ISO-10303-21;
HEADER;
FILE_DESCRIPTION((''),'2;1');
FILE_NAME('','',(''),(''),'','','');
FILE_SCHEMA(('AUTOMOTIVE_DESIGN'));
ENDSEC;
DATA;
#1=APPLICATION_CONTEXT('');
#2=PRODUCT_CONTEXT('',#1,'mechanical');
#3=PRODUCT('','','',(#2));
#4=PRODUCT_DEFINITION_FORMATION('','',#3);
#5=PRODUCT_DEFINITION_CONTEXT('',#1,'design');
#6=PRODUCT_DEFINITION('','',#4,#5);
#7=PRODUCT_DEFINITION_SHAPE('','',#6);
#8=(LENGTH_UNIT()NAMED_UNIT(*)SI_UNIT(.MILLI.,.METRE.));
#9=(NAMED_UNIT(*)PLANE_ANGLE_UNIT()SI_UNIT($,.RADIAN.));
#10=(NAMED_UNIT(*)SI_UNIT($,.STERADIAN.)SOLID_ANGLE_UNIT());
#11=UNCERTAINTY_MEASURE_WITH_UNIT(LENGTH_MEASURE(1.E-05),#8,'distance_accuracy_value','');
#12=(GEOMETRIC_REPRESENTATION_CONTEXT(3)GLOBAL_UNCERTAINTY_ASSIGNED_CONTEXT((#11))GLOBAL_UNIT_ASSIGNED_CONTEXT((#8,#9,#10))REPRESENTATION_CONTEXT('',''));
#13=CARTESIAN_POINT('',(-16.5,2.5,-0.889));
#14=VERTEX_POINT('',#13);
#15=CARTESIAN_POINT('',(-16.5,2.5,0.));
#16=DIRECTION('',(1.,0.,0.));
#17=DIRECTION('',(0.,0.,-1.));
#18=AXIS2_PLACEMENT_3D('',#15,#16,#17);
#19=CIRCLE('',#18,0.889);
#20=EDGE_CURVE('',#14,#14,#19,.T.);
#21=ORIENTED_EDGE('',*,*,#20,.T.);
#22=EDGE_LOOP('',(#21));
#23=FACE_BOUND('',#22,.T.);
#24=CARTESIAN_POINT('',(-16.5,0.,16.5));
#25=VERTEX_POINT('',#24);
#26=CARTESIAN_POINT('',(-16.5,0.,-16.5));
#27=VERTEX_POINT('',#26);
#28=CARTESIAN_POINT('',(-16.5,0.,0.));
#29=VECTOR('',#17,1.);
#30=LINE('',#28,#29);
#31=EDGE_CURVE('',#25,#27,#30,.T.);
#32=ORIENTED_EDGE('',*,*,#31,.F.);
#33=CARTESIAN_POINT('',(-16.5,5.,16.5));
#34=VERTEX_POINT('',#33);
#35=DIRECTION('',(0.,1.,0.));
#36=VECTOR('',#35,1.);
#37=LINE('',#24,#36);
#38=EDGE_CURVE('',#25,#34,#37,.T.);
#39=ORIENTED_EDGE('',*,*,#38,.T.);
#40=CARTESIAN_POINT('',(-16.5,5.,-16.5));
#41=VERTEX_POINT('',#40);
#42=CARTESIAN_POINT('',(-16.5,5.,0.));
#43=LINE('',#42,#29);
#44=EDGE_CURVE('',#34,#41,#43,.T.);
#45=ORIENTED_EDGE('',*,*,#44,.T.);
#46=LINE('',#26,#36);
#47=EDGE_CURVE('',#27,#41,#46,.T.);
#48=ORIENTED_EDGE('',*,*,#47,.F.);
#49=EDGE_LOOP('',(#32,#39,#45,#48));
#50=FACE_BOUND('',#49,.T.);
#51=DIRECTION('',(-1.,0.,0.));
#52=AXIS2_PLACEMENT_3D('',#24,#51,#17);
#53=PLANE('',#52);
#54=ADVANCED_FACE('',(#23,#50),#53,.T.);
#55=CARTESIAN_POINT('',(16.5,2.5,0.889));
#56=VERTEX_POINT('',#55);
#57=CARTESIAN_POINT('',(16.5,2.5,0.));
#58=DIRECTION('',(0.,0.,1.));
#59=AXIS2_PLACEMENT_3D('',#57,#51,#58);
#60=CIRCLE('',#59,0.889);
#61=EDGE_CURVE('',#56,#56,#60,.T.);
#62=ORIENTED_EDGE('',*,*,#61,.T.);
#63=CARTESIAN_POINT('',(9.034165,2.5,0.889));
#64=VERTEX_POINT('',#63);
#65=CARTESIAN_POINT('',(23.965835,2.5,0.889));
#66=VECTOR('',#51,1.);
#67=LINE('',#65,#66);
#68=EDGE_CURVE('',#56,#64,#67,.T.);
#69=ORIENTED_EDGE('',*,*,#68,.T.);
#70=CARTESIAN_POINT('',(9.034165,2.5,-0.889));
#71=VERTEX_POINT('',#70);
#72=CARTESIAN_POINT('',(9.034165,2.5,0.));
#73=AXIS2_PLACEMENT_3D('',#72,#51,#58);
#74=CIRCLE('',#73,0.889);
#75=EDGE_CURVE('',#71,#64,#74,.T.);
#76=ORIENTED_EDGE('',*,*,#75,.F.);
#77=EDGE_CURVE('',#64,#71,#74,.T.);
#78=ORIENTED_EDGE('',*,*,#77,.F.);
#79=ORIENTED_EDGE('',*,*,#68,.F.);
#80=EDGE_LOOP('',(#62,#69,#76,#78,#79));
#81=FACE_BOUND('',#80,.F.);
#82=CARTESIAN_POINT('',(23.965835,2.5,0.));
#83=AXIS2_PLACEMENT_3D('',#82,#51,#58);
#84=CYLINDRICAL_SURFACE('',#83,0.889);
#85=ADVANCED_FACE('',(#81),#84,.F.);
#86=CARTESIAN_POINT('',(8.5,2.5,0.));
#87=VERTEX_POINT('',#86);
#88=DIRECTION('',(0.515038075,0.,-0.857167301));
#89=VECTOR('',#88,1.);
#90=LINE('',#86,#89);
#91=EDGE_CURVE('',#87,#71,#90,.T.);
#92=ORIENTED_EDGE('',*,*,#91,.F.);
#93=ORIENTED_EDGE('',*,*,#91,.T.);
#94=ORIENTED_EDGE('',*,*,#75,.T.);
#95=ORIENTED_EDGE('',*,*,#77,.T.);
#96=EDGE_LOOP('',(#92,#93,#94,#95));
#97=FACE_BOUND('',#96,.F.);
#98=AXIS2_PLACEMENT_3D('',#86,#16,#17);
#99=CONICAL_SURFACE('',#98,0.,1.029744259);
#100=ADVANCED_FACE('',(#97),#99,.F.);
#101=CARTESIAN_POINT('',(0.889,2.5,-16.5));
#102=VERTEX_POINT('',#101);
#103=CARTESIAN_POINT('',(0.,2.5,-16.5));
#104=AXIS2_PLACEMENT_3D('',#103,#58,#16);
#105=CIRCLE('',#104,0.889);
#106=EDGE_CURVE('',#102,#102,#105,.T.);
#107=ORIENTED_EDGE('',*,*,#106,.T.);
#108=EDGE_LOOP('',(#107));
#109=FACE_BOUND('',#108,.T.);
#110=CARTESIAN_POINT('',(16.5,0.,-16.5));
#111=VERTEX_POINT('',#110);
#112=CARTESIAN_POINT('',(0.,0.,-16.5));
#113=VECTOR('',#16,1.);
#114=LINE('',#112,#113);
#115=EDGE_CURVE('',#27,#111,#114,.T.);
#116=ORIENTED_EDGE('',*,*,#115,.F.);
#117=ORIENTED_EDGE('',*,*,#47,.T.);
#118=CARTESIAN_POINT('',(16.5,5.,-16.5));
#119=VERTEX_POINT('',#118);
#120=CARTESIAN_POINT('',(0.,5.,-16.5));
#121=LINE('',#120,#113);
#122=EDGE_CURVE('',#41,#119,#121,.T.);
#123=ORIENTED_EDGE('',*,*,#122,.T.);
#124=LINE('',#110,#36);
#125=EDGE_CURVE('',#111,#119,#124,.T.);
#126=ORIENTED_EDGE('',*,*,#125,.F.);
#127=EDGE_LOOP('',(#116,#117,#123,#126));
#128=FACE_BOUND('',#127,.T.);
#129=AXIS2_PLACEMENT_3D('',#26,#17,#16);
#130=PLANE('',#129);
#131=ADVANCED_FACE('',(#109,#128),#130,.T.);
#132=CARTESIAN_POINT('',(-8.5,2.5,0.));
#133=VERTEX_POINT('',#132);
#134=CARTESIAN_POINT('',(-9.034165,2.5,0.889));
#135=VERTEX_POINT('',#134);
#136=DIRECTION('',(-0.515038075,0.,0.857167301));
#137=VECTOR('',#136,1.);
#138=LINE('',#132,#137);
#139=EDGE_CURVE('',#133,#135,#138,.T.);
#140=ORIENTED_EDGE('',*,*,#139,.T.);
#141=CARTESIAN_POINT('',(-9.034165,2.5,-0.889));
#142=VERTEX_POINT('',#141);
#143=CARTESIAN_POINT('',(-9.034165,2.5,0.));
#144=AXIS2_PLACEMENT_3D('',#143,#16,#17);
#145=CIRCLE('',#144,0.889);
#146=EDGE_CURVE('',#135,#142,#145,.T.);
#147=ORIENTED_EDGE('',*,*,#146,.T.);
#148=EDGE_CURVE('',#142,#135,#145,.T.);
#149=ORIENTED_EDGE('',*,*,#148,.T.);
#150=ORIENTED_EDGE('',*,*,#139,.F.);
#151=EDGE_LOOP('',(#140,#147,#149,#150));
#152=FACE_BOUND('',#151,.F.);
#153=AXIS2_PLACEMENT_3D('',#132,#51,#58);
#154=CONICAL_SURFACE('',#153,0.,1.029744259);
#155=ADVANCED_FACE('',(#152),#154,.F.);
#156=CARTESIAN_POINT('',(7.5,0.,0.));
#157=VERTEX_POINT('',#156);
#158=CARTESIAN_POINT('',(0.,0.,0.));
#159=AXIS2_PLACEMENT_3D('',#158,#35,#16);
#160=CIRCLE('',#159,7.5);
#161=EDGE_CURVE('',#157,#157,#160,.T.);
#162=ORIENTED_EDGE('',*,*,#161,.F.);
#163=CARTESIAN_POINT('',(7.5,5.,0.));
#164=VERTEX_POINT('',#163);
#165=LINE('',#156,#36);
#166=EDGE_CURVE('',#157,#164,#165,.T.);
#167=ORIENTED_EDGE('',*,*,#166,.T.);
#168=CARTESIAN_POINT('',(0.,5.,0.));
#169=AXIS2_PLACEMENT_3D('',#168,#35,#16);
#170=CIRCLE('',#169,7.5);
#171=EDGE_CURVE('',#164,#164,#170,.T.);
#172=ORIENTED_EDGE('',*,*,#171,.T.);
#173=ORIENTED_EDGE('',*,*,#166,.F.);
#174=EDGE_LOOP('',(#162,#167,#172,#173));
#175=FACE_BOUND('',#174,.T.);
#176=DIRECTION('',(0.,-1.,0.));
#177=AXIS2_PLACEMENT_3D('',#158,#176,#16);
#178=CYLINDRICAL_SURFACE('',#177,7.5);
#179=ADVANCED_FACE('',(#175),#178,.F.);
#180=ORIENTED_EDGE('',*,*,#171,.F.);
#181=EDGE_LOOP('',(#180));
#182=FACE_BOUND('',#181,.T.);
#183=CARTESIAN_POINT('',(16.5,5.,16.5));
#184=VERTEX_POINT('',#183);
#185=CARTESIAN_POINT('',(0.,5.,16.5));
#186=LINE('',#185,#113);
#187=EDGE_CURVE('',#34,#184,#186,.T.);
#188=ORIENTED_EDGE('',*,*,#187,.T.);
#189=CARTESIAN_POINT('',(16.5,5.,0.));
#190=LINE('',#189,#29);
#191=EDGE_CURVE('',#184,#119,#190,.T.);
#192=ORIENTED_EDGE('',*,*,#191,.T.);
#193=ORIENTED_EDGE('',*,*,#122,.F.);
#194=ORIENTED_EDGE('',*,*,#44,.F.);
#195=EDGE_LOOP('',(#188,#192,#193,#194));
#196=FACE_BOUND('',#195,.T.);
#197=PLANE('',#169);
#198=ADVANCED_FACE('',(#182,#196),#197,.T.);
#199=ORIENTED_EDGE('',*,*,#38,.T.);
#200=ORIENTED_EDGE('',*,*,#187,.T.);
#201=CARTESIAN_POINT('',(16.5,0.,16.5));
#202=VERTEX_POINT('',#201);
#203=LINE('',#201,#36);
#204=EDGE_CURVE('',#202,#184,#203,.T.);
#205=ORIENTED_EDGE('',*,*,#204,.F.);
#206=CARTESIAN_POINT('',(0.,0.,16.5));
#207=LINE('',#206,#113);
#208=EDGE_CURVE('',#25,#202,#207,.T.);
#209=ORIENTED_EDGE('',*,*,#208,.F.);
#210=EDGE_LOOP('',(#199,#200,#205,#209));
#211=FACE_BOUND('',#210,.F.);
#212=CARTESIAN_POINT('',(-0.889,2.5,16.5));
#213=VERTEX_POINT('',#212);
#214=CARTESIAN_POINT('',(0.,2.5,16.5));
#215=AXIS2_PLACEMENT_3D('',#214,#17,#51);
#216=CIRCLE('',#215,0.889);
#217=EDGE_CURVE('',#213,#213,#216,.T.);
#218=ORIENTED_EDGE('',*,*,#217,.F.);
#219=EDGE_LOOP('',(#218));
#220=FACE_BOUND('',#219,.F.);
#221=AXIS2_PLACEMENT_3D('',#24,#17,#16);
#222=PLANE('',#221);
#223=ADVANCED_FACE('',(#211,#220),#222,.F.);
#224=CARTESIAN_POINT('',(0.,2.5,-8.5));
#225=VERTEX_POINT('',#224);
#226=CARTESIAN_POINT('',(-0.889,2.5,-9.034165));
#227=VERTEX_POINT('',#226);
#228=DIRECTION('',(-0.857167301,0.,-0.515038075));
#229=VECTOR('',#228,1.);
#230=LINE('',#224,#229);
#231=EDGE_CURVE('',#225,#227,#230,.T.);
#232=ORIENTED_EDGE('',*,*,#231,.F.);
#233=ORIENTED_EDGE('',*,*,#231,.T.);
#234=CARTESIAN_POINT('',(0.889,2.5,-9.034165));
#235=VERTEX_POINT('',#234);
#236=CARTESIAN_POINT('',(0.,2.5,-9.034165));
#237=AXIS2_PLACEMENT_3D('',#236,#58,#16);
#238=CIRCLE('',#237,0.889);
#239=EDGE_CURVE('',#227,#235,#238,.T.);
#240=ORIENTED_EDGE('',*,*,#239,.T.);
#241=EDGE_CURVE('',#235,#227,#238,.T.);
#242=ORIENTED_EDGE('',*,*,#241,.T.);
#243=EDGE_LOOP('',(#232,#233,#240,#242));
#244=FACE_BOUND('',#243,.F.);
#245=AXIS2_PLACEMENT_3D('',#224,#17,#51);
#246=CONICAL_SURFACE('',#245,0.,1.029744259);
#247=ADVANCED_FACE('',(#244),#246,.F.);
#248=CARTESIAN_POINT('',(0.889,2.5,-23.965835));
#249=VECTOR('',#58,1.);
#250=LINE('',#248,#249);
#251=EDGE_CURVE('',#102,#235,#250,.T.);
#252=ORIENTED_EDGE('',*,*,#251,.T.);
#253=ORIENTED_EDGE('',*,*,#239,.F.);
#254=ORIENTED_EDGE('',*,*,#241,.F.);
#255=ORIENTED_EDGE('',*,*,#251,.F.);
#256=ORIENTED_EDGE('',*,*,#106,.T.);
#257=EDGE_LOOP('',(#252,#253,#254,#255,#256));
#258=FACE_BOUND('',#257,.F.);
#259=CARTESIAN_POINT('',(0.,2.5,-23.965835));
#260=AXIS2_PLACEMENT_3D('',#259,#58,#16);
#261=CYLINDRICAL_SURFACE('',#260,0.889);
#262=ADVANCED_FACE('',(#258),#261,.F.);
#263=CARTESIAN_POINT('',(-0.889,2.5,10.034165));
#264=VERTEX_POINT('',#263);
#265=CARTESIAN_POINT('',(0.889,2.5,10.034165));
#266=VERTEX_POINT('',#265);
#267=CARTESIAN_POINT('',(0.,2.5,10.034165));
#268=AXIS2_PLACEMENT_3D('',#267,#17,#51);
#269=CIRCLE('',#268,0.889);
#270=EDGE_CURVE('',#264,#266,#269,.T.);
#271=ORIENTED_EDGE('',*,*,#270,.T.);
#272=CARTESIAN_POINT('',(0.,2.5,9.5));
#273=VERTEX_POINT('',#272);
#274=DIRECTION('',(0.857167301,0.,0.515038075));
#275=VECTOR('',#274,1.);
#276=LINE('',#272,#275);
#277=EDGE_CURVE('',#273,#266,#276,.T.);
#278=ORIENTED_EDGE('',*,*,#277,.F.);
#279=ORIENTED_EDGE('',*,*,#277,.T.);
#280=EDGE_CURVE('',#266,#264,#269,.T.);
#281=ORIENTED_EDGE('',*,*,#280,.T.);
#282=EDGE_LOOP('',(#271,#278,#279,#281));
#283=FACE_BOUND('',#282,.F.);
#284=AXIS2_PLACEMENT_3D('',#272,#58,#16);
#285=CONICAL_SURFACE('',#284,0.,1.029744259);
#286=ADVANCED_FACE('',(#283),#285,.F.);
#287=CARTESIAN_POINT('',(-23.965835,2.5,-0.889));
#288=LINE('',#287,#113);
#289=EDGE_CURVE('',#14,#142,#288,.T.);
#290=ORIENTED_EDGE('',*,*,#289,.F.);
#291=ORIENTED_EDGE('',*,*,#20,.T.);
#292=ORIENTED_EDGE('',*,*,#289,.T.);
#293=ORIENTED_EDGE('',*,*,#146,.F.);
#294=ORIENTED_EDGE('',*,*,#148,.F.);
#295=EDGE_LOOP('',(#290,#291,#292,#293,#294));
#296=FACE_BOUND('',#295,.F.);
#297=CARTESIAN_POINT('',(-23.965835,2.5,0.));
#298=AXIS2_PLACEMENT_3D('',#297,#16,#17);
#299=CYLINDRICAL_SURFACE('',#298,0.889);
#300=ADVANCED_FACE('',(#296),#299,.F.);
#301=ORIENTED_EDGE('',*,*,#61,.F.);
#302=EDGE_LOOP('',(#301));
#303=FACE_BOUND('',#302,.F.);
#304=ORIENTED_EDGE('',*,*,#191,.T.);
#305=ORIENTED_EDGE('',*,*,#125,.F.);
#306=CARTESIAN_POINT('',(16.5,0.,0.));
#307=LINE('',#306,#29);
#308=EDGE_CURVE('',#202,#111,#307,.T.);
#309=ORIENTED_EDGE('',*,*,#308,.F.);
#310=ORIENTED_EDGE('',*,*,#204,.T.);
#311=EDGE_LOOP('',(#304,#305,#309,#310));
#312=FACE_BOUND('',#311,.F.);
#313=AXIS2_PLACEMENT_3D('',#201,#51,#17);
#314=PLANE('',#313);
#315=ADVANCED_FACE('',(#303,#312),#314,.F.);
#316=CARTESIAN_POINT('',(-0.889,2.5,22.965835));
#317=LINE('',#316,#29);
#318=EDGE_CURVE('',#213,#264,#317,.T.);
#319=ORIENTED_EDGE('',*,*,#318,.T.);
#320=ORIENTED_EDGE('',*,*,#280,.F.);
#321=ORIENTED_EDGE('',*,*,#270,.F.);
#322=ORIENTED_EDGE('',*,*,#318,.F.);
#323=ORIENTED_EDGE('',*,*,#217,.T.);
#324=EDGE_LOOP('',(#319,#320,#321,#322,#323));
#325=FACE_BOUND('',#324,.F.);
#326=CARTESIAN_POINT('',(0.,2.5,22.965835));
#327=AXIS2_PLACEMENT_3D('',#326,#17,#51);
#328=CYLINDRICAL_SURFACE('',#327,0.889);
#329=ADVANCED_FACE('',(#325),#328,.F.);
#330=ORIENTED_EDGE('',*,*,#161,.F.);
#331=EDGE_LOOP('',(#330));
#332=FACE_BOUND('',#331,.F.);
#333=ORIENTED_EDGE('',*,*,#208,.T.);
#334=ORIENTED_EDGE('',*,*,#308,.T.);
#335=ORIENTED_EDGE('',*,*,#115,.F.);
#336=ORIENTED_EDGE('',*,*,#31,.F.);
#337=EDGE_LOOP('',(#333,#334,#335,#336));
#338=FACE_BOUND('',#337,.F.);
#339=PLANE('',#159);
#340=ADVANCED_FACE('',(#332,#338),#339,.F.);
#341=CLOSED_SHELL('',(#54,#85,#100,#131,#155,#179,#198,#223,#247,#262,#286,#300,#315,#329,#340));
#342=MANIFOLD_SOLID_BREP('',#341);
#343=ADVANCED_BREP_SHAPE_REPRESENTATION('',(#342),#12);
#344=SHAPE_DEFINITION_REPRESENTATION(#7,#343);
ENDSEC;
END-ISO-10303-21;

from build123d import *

# Parameters (mm, degrees)
SKETCH1_W                 = 33
SKETCH1_H                 = 33
SKETCH1_R                 = 7.5
BOSS_EXTRUDE1_DEPTH       = 5
F_2_56_TAPPED_HOLE4_D     = 1.778
F_2_56_TAPPED_HOLE4_DEPTH = 6.46583491
F_2_56_TAPPED_HOLE4_TIP   = 0.53416509
F_2_56_TAPPED_HOLE5_D     = 1.778
F_2_56_TAPPED_HOLE5_DEPTH = 7.46583491
F_2_56_TAPPED_HOLE5_TIP   = 0.53416509
F_2_56_TAPPED_HOLE6_D     = 1.778
F_2_56_TAPPED_HOLE6_DEPTH = 7.46583491
F_2_56_TAPPED_HOLE6_TIP   = 0.53416509
F_2_56_TAPPED_HOLE7_D     = 1.778
F_2_56_TAPPED_HOLE7_DEPTH = 7.46583491
F_2_56_TAPPED_HOLE7_TIP   = 0.53416509


with BuildPart() as part:
    # Sketch1 → Boss-Extrude1 (new body)
    with BuildSketch(Plane(origin=(0, 0, 0), x_dir=(1, 0, 0), z_dir=(0, 1, 0))):
        Rectangle(SKETCH1_W, SKETCH1_H)
        Circle(SKETCH1_R, mode=Mode.SUBTRACT)
    extrude(amount=BOSS_EXTRUDE1_DEPTH)

    # #2-56 Tapped Hole4
    with Locations(Plane.XY.offset(16.5)):
        with Locations((0, 2.5)):
            Hole(F_2_56_TAPPED_HOLE4_D / 2, depth=F_2_56_TAPPED_HOLE4_DEPTH)
            with Locations((0, 0, -(F_2_56_TAPPED_HOLE4_DEPTH + F_2_56_TAPPED_HOLE4_TIP / 2))):  # 118° drill point
                Cone(0, F_2_56_TAPPED_HOLE4_D / 2, F_2_56_TAPPED_HOLE4_TIP, mode=Mode.SUBTRACT)

    # #2-56 Tapped Hole5
    with Locations(Plane(origin=(0, 0, -16.5), x_dir=(-1, 0, 0), z_dir=(0, 0, -1))):
        with Locations((0, 2.5)):
            Hole(F_2_56_TAPPED_HOLE5_D / 2, depth=F_2_56_TAPPED_HOLE5_DEPTH)
            with Locations((0, 0, -(F_2_56_TAPPED_HOLE5_DEPTH + F_2_56_TAPPED_HOLE5_TIP / 2))):  # 118° drill point
                Cone(0, F_2_56_TAPPED_HOLE5_D / 2, F_2_56_TAPPED_HOLE5_TIP, mode=Mode.SUBTRACT)

    # #2-56 Tapped Hole6
    with Locations(Plane(origin=(16.5, 0, 0), x_dir=(0, 0, -1), z_dir=(1, 0, 0))):
        with Locations((0, 2.5)):
            Hole(F_2_56_TAPPED_HOLE6_D / 2, depth=F_2_56_TAPPED_HOLE6_DEPTH)
            with Locations((0, 0, -(F_2_56_TAPPED_HOLE6_DEPTH + F_2_56_TAPPED_HOLE6_TIP / 2))):  # 118° drill point
                Cone(0, F_2_56_TAPPED_HOLE6_D / 2, F_2_56_TAPPED_HOLE6_TIP, mode=Mode.SUBTRACT)

    # #2-56 Tapped Hole7
    with Locations(Plane.ZY.offset(16.5)):
        with Locations((0, 2.5)):
            Hole(F_2_56_TAPPED_HOLE7_D / 2, depth=F_2_56_TAPPED_HOLE7_DEPTH)
            with Locations((0, 0, -(F_2_56_TAPPED_HOLE7_DEPTH + F_2_56_TAPPED_HOLE7_TIP / 2))):  # 118° drill point
                Cone(0, F_2_56_TAPPED_HOLE7_D / 2, F_2_56_TAPPED_HOLE7_TIP, mode=Mode.SUBTRACT)


solid = part.part
